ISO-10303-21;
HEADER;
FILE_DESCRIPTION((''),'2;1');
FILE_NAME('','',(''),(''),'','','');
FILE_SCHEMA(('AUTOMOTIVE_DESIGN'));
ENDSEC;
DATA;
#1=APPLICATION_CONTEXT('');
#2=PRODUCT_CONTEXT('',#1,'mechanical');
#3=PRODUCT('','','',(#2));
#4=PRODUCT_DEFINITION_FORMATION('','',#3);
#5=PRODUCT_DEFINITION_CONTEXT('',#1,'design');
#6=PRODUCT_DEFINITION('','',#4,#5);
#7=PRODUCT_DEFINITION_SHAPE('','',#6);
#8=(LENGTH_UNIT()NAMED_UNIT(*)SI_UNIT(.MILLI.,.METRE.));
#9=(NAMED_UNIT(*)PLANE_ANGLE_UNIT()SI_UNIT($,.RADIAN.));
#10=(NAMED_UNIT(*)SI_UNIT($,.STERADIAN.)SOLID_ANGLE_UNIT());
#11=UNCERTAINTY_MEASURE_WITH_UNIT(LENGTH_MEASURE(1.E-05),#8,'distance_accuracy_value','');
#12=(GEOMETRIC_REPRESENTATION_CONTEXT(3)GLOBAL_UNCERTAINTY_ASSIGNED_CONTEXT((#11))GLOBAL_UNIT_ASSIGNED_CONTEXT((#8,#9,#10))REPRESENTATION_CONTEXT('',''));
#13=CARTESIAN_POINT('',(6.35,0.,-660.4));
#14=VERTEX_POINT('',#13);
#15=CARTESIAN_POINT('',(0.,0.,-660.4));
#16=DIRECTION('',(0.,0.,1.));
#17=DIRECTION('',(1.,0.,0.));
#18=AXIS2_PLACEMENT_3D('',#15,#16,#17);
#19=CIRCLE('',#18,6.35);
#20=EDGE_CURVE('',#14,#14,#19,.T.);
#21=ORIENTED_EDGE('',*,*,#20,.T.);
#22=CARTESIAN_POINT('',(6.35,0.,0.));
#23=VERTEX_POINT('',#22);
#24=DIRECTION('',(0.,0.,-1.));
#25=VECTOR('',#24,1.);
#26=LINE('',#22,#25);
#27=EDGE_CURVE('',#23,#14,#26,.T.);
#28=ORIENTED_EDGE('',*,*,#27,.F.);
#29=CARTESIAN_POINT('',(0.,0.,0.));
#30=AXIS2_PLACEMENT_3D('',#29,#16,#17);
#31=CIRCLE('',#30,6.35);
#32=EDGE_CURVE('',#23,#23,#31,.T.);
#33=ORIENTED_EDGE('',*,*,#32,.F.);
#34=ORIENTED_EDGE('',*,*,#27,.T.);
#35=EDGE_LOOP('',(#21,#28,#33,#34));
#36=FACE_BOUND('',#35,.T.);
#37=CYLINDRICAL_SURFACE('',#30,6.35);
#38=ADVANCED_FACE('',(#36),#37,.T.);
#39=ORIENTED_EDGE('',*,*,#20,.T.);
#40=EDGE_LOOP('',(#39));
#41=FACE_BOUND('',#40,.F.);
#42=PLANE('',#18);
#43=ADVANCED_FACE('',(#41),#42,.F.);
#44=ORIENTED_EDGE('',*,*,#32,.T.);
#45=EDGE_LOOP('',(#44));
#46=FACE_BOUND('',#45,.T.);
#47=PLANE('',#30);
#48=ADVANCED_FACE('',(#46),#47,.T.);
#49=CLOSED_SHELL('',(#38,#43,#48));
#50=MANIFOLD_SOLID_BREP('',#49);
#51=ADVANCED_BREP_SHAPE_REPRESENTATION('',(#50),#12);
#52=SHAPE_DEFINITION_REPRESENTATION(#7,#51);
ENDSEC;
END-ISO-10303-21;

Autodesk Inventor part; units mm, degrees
ref_plane "YZ Plane" through (0, 0, 0) normal (1, 0, 0) x (0, 1, 0)
ref_plane "XZ Plane" through (0, 0, 0) normal (0, 1, 0) x (-1, 0, 0)
ref_plane "XY Plane" through (0, 0, 0) normal (0, 0, 1) x (1, 0, 0)
sketch "Sketch1" plane through (0, 0, 0) normal (0, 0, 1) x (1, 0, 0)
  circle A0 centre (0, 0) radius 6.35
  dimension "d0" = 12.7
  dimension "d0" = 12.7
extrude "Extrusion1" add sketch "Sketch1" against normal blind 660.4
properties part number "0.5unkeyedaxle_26"
